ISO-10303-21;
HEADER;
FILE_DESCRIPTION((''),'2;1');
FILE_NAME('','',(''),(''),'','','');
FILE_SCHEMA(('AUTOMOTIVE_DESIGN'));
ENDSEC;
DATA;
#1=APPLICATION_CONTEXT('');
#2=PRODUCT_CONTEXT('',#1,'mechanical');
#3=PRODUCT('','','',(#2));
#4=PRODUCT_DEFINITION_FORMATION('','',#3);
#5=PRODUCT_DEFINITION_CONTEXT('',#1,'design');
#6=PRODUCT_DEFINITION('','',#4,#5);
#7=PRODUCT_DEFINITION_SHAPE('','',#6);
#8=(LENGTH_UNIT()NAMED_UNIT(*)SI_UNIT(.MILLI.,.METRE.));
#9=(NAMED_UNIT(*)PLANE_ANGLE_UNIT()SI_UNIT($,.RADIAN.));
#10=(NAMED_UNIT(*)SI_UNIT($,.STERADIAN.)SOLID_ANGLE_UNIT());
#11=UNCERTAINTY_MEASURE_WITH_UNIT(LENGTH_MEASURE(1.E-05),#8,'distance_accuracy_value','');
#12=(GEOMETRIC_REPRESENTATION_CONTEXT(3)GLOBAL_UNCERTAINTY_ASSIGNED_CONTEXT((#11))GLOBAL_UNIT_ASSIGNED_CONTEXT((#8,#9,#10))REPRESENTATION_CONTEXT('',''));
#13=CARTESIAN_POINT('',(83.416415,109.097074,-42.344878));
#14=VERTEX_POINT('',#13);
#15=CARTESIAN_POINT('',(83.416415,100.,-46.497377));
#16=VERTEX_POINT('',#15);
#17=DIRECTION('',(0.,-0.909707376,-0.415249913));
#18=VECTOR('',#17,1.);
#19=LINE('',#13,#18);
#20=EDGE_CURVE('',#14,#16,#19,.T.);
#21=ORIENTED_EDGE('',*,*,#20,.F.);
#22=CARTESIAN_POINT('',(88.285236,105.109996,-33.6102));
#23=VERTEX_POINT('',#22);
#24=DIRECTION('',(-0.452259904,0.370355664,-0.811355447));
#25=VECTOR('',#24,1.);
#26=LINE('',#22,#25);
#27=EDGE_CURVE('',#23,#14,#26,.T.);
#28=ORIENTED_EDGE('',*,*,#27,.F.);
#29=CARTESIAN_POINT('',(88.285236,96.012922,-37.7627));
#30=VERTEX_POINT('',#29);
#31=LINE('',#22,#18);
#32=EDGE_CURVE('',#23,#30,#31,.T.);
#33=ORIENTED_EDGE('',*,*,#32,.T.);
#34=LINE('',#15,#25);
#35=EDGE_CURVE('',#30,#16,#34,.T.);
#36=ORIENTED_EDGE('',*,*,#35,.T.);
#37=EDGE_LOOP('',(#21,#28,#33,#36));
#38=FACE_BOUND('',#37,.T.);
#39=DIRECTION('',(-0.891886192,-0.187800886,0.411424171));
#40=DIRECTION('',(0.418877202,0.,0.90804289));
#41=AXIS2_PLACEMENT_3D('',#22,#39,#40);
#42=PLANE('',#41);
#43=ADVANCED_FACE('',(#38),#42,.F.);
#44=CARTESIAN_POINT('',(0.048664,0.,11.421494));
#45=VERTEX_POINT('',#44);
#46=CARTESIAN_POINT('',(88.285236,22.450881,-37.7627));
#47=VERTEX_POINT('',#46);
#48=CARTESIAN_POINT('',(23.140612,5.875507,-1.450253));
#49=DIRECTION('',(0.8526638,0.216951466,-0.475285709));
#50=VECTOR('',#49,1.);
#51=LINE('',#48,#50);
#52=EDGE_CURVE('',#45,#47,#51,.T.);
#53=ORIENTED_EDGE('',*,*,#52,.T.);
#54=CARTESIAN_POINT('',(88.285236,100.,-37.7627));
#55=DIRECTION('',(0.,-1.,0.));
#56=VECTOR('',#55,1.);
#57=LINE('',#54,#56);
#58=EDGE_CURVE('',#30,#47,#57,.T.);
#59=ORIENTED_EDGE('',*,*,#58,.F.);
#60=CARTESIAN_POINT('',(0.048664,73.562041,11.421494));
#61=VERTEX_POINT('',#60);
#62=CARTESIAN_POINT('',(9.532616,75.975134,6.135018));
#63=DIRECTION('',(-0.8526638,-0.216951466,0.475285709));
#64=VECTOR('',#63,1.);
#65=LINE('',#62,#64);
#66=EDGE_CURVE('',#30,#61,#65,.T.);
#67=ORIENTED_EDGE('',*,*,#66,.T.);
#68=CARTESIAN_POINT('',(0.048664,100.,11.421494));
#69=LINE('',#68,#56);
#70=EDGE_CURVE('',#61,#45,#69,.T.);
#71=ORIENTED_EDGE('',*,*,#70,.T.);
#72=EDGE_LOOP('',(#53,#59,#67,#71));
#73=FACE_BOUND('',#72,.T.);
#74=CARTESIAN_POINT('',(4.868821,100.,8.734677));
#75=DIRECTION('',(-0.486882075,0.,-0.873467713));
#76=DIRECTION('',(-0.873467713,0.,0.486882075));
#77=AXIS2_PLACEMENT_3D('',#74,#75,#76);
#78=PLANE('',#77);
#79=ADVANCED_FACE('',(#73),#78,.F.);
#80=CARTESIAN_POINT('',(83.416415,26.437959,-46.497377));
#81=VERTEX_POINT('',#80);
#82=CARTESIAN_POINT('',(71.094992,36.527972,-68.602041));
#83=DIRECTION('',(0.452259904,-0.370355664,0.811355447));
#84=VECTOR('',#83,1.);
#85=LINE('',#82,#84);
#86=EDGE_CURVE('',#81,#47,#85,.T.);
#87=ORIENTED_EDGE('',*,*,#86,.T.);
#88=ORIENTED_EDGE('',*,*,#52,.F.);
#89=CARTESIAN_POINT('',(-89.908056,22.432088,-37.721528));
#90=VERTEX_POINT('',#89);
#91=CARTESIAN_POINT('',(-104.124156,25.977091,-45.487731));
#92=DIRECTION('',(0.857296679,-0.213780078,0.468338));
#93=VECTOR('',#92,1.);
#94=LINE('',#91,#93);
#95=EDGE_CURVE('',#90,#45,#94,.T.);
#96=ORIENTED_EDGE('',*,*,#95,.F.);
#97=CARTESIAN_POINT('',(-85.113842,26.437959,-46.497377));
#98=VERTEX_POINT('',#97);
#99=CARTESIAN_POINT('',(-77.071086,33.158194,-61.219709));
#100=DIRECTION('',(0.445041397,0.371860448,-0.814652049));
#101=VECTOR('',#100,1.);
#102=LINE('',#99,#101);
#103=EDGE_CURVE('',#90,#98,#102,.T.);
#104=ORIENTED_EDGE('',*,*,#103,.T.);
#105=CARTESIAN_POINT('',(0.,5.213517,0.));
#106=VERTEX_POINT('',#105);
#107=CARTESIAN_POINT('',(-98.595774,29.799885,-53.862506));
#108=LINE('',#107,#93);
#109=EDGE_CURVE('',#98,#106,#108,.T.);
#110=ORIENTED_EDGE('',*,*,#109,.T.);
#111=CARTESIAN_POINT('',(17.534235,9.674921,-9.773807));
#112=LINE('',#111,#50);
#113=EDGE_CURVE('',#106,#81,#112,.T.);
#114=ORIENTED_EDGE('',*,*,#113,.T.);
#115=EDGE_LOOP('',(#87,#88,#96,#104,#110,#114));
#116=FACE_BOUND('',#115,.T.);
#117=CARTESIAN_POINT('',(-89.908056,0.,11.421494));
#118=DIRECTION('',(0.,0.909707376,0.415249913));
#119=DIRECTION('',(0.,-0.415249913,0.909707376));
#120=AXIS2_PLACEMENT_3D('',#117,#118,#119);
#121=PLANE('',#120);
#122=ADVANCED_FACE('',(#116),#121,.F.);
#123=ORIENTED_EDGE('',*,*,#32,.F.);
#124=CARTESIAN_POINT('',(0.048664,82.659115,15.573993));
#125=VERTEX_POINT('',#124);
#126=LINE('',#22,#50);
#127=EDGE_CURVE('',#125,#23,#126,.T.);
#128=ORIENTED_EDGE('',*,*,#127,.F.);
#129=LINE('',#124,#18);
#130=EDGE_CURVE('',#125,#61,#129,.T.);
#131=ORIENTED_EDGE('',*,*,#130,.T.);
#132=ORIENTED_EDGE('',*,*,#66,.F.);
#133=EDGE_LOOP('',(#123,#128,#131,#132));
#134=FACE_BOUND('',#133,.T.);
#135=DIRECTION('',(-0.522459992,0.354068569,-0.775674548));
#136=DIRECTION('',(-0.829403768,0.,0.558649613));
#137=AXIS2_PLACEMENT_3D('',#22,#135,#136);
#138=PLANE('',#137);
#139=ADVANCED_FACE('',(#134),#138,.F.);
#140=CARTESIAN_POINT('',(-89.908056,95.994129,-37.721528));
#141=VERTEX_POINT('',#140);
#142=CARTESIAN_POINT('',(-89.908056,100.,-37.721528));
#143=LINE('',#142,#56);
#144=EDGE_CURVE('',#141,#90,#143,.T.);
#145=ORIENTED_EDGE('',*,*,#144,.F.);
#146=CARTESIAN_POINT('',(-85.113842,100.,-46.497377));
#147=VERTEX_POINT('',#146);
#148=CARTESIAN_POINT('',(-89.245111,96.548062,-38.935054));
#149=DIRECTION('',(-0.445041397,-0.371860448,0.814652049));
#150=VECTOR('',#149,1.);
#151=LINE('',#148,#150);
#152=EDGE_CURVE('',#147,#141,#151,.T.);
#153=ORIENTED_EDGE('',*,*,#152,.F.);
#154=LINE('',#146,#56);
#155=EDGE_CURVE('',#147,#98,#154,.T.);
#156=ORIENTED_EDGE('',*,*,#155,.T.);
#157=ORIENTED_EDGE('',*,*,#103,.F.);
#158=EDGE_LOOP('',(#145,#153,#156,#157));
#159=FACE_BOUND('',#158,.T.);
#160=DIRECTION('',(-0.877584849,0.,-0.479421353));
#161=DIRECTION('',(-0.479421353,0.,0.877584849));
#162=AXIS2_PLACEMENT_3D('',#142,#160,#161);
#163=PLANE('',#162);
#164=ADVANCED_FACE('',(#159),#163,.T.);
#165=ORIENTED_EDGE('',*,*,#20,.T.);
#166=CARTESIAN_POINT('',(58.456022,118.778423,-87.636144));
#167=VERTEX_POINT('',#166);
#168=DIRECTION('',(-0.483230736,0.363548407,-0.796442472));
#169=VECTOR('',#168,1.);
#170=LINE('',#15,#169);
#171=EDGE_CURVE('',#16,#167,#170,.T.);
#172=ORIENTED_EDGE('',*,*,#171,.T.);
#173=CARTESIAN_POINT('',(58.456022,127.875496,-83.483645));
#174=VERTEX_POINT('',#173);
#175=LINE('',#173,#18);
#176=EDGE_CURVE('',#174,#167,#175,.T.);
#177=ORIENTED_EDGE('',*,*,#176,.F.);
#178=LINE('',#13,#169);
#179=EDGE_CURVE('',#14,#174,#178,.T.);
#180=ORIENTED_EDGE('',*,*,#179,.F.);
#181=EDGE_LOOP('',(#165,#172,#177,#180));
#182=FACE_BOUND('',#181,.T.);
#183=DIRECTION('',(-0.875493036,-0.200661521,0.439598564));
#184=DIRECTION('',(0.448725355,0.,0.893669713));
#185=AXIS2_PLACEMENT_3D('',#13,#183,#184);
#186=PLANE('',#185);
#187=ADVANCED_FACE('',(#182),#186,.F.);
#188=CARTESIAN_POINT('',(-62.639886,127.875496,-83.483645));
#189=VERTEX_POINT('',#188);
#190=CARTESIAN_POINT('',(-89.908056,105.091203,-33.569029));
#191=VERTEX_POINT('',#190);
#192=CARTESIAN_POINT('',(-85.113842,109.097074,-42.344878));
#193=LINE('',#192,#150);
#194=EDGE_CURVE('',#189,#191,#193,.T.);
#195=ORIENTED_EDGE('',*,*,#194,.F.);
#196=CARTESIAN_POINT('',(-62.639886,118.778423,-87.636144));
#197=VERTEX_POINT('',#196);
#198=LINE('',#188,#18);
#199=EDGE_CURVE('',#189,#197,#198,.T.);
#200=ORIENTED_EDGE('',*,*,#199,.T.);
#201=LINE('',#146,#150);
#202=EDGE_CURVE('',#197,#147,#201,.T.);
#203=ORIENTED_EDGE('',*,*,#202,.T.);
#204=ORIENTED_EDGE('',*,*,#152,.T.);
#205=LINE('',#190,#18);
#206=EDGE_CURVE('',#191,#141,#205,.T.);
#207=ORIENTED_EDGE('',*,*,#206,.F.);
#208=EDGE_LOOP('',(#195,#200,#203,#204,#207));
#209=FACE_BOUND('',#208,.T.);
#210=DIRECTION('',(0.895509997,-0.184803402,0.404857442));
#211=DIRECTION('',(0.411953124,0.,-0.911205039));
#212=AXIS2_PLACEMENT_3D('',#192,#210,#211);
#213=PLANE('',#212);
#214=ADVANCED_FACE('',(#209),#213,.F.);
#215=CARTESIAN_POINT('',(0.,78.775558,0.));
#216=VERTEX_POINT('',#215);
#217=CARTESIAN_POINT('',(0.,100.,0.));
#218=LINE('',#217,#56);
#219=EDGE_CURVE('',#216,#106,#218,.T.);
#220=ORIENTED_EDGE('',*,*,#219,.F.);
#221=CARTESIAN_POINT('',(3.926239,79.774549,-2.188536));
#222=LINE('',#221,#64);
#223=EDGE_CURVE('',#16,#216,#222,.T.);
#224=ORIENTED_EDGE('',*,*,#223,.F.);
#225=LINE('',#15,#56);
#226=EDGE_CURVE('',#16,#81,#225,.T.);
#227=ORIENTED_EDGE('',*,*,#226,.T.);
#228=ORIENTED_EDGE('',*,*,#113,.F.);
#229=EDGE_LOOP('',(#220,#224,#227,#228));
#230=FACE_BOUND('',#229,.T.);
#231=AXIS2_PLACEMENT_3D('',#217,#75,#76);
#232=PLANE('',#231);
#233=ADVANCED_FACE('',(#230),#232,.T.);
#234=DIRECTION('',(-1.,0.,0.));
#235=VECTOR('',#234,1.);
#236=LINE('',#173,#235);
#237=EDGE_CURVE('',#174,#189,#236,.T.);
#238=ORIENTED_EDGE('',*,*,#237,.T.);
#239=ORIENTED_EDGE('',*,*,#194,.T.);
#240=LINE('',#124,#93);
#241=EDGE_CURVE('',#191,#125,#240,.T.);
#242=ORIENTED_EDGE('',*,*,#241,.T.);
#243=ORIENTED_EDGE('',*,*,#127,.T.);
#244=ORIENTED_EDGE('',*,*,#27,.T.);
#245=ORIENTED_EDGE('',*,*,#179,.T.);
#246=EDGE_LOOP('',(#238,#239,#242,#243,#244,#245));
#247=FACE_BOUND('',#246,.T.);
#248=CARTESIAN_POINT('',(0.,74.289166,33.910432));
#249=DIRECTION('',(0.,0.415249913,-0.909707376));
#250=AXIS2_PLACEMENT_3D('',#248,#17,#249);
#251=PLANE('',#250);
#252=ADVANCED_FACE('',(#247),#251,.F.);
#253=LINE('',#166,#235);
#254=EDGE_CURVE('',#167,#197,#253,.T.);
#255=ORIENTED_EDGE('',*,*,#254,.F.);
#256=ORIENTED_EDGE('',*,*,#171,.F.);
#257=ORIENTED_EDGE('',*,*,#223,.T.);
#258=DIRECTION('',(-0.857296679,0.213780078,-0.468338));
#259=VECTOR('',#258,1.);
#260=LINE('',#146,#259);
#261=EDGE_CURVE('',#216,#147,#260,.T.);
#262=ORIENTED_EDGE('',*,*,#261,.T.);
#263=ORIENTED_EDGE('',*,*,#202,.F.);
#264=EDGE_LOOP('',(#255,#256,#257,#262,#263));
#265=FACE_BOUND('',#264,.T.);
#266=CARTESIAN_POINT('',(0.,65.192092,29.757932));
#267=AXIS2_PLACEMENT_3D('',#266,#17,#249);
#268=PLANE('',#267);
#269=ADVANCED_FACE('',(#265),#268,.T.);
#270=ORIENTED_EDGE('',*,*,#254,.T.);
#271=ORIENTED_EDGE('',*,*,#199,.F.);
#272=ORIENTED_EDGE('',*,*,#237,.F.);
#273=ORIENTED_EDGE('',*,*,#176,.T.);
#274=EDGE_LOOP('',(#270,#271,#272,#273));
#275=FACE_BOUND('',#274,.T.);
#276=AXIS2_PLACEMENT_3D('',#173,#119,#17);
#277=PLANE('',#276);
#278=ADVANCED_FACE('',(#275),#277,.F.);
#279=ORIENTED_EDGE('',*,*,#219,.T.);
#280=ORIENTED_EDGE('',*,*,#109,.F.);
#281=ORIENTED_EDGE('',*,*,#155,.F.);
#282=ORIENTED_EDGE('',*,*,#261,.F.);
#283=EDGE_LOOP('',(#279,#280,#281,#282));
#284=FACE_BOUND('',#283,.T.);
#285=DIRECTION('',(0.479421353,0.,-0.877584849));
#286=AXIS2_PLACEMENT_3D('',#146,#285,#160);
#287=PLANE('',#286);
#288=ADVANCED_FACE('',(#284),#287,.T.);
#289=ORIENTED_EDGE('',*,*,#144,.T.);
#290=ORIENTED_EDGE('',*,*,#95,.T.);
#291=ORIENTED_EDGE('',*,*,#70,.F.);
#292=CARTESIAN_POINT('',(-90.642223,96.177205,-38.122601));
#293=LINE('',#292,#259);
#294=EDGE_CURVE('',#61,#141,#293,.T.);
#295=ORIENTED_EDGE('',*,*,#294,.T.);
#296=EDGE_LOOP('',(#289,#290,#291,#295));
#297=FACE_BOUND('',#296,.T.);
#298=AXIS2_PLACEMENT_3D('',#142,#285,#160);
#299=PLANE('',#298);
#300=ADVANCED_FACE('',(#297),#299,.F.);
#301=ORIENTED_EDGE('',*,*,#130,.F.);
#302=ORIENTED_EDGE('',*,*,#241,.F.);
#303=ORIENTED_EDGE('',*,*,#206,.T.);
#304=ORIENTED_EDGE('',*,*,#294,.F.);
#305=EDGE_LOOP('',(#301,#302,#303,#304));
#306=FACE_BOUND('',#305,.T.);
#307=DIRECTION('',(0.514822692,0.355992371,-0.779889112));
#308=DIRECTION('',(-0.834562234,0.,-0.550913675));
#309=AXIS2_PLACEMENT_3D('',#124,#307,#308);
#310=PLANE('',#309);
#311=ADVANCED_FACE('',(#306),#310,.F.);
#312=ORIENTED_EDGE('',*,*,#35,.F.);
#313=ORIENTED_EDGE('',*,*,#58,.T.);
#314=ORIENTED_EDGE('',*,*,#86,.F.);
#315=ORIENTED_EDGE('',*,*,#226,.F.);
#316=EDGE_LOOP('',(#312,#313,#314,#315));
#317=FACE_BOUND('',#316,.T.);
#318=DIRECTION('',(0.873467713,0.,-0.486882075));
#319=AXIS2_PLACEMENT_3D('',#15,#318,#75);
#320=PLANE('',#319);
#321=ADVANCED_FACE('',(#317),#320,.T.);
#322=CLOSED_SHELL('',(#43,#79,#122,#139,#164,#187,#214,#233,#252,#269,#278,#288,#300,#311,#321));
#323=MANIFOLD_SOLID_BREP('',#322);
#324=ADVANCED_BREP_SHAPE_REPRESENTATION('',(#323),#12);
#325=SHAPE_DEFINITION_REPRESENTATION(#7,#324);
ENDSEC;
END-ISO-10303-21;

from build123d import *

# Parameters (mm, degrees)
EXTRUDE_2_DEPTH          = 100
CUT_EXTRUDE_1_DEPTH      = 143.286557619
CUT_EXTRUDE_1_DEPTH_BACK = 143.286557619
EXTRUDE_3_DEPTH          = 10


with BuildPart() as part:
    # 草图5 → 拉伸-薄壁2 (new body)
    with BuildSketch(Plane(origin=(0, 0, 0), x_dir=(1, 0, 0), z_dir=(0, 1, 0))):
        Polygon((-85.11384198, 46.497376637), (0, 0), (83.416414932, 46.497376637), (88.285235684, 37.762699512), (0.048663646, -11.421494349), (-89.908055505, 37.72152815), align=None)
    extrude(amount=EXTRUDE_2_DEPTH)

    # 草图6 → 切除-拉伸1 (cut, two sides: drawn at the far end of the back side and taken through both)
    with BuildSketch(Plane(origin=(0, 0, 0), x_dir=(0, 0, -1), z_dir=(1, 0, 0)).offset(-CUT_EXTRUDE_1_DEPTH_BACK)):
        Polygon((-11.421494349, 0), (46.497376637, 26.437958822), (46.497376637, 0), align=None)
        Polygon((46.497376637, 100), (-11.421494349, 73.562041178), (-11.421494349, 100), align=None)
    extrude(amount=CUT_EXTRUDE_1_DEPTH + CUT_EXTRUDE_1_DEPTH_BACK, mode=Mode.SUBTRACT)

    # 草图7 → 凸台-拉伸3 (add)
    with BuildSketch(Plane(origin=(0, 65.192092202, 29.757932429), x_dir=(1, 0, 0), z_dir=(0, 0.909707375853676, 0.4152499130853836))):
        Polygon((88.285235684, 74.222363952), (83.416414932, 83.823997793), (58.456022425, 129.045976045), (-62.639885843, 129.045976045), (-85.11384198, 83.823997793), (-89.908055505, 74.177106144), (0.048663646, 20.156413552), align=None)
    extrude(amount=EXTRUDE_3_DEPTH)


solid = part.part
